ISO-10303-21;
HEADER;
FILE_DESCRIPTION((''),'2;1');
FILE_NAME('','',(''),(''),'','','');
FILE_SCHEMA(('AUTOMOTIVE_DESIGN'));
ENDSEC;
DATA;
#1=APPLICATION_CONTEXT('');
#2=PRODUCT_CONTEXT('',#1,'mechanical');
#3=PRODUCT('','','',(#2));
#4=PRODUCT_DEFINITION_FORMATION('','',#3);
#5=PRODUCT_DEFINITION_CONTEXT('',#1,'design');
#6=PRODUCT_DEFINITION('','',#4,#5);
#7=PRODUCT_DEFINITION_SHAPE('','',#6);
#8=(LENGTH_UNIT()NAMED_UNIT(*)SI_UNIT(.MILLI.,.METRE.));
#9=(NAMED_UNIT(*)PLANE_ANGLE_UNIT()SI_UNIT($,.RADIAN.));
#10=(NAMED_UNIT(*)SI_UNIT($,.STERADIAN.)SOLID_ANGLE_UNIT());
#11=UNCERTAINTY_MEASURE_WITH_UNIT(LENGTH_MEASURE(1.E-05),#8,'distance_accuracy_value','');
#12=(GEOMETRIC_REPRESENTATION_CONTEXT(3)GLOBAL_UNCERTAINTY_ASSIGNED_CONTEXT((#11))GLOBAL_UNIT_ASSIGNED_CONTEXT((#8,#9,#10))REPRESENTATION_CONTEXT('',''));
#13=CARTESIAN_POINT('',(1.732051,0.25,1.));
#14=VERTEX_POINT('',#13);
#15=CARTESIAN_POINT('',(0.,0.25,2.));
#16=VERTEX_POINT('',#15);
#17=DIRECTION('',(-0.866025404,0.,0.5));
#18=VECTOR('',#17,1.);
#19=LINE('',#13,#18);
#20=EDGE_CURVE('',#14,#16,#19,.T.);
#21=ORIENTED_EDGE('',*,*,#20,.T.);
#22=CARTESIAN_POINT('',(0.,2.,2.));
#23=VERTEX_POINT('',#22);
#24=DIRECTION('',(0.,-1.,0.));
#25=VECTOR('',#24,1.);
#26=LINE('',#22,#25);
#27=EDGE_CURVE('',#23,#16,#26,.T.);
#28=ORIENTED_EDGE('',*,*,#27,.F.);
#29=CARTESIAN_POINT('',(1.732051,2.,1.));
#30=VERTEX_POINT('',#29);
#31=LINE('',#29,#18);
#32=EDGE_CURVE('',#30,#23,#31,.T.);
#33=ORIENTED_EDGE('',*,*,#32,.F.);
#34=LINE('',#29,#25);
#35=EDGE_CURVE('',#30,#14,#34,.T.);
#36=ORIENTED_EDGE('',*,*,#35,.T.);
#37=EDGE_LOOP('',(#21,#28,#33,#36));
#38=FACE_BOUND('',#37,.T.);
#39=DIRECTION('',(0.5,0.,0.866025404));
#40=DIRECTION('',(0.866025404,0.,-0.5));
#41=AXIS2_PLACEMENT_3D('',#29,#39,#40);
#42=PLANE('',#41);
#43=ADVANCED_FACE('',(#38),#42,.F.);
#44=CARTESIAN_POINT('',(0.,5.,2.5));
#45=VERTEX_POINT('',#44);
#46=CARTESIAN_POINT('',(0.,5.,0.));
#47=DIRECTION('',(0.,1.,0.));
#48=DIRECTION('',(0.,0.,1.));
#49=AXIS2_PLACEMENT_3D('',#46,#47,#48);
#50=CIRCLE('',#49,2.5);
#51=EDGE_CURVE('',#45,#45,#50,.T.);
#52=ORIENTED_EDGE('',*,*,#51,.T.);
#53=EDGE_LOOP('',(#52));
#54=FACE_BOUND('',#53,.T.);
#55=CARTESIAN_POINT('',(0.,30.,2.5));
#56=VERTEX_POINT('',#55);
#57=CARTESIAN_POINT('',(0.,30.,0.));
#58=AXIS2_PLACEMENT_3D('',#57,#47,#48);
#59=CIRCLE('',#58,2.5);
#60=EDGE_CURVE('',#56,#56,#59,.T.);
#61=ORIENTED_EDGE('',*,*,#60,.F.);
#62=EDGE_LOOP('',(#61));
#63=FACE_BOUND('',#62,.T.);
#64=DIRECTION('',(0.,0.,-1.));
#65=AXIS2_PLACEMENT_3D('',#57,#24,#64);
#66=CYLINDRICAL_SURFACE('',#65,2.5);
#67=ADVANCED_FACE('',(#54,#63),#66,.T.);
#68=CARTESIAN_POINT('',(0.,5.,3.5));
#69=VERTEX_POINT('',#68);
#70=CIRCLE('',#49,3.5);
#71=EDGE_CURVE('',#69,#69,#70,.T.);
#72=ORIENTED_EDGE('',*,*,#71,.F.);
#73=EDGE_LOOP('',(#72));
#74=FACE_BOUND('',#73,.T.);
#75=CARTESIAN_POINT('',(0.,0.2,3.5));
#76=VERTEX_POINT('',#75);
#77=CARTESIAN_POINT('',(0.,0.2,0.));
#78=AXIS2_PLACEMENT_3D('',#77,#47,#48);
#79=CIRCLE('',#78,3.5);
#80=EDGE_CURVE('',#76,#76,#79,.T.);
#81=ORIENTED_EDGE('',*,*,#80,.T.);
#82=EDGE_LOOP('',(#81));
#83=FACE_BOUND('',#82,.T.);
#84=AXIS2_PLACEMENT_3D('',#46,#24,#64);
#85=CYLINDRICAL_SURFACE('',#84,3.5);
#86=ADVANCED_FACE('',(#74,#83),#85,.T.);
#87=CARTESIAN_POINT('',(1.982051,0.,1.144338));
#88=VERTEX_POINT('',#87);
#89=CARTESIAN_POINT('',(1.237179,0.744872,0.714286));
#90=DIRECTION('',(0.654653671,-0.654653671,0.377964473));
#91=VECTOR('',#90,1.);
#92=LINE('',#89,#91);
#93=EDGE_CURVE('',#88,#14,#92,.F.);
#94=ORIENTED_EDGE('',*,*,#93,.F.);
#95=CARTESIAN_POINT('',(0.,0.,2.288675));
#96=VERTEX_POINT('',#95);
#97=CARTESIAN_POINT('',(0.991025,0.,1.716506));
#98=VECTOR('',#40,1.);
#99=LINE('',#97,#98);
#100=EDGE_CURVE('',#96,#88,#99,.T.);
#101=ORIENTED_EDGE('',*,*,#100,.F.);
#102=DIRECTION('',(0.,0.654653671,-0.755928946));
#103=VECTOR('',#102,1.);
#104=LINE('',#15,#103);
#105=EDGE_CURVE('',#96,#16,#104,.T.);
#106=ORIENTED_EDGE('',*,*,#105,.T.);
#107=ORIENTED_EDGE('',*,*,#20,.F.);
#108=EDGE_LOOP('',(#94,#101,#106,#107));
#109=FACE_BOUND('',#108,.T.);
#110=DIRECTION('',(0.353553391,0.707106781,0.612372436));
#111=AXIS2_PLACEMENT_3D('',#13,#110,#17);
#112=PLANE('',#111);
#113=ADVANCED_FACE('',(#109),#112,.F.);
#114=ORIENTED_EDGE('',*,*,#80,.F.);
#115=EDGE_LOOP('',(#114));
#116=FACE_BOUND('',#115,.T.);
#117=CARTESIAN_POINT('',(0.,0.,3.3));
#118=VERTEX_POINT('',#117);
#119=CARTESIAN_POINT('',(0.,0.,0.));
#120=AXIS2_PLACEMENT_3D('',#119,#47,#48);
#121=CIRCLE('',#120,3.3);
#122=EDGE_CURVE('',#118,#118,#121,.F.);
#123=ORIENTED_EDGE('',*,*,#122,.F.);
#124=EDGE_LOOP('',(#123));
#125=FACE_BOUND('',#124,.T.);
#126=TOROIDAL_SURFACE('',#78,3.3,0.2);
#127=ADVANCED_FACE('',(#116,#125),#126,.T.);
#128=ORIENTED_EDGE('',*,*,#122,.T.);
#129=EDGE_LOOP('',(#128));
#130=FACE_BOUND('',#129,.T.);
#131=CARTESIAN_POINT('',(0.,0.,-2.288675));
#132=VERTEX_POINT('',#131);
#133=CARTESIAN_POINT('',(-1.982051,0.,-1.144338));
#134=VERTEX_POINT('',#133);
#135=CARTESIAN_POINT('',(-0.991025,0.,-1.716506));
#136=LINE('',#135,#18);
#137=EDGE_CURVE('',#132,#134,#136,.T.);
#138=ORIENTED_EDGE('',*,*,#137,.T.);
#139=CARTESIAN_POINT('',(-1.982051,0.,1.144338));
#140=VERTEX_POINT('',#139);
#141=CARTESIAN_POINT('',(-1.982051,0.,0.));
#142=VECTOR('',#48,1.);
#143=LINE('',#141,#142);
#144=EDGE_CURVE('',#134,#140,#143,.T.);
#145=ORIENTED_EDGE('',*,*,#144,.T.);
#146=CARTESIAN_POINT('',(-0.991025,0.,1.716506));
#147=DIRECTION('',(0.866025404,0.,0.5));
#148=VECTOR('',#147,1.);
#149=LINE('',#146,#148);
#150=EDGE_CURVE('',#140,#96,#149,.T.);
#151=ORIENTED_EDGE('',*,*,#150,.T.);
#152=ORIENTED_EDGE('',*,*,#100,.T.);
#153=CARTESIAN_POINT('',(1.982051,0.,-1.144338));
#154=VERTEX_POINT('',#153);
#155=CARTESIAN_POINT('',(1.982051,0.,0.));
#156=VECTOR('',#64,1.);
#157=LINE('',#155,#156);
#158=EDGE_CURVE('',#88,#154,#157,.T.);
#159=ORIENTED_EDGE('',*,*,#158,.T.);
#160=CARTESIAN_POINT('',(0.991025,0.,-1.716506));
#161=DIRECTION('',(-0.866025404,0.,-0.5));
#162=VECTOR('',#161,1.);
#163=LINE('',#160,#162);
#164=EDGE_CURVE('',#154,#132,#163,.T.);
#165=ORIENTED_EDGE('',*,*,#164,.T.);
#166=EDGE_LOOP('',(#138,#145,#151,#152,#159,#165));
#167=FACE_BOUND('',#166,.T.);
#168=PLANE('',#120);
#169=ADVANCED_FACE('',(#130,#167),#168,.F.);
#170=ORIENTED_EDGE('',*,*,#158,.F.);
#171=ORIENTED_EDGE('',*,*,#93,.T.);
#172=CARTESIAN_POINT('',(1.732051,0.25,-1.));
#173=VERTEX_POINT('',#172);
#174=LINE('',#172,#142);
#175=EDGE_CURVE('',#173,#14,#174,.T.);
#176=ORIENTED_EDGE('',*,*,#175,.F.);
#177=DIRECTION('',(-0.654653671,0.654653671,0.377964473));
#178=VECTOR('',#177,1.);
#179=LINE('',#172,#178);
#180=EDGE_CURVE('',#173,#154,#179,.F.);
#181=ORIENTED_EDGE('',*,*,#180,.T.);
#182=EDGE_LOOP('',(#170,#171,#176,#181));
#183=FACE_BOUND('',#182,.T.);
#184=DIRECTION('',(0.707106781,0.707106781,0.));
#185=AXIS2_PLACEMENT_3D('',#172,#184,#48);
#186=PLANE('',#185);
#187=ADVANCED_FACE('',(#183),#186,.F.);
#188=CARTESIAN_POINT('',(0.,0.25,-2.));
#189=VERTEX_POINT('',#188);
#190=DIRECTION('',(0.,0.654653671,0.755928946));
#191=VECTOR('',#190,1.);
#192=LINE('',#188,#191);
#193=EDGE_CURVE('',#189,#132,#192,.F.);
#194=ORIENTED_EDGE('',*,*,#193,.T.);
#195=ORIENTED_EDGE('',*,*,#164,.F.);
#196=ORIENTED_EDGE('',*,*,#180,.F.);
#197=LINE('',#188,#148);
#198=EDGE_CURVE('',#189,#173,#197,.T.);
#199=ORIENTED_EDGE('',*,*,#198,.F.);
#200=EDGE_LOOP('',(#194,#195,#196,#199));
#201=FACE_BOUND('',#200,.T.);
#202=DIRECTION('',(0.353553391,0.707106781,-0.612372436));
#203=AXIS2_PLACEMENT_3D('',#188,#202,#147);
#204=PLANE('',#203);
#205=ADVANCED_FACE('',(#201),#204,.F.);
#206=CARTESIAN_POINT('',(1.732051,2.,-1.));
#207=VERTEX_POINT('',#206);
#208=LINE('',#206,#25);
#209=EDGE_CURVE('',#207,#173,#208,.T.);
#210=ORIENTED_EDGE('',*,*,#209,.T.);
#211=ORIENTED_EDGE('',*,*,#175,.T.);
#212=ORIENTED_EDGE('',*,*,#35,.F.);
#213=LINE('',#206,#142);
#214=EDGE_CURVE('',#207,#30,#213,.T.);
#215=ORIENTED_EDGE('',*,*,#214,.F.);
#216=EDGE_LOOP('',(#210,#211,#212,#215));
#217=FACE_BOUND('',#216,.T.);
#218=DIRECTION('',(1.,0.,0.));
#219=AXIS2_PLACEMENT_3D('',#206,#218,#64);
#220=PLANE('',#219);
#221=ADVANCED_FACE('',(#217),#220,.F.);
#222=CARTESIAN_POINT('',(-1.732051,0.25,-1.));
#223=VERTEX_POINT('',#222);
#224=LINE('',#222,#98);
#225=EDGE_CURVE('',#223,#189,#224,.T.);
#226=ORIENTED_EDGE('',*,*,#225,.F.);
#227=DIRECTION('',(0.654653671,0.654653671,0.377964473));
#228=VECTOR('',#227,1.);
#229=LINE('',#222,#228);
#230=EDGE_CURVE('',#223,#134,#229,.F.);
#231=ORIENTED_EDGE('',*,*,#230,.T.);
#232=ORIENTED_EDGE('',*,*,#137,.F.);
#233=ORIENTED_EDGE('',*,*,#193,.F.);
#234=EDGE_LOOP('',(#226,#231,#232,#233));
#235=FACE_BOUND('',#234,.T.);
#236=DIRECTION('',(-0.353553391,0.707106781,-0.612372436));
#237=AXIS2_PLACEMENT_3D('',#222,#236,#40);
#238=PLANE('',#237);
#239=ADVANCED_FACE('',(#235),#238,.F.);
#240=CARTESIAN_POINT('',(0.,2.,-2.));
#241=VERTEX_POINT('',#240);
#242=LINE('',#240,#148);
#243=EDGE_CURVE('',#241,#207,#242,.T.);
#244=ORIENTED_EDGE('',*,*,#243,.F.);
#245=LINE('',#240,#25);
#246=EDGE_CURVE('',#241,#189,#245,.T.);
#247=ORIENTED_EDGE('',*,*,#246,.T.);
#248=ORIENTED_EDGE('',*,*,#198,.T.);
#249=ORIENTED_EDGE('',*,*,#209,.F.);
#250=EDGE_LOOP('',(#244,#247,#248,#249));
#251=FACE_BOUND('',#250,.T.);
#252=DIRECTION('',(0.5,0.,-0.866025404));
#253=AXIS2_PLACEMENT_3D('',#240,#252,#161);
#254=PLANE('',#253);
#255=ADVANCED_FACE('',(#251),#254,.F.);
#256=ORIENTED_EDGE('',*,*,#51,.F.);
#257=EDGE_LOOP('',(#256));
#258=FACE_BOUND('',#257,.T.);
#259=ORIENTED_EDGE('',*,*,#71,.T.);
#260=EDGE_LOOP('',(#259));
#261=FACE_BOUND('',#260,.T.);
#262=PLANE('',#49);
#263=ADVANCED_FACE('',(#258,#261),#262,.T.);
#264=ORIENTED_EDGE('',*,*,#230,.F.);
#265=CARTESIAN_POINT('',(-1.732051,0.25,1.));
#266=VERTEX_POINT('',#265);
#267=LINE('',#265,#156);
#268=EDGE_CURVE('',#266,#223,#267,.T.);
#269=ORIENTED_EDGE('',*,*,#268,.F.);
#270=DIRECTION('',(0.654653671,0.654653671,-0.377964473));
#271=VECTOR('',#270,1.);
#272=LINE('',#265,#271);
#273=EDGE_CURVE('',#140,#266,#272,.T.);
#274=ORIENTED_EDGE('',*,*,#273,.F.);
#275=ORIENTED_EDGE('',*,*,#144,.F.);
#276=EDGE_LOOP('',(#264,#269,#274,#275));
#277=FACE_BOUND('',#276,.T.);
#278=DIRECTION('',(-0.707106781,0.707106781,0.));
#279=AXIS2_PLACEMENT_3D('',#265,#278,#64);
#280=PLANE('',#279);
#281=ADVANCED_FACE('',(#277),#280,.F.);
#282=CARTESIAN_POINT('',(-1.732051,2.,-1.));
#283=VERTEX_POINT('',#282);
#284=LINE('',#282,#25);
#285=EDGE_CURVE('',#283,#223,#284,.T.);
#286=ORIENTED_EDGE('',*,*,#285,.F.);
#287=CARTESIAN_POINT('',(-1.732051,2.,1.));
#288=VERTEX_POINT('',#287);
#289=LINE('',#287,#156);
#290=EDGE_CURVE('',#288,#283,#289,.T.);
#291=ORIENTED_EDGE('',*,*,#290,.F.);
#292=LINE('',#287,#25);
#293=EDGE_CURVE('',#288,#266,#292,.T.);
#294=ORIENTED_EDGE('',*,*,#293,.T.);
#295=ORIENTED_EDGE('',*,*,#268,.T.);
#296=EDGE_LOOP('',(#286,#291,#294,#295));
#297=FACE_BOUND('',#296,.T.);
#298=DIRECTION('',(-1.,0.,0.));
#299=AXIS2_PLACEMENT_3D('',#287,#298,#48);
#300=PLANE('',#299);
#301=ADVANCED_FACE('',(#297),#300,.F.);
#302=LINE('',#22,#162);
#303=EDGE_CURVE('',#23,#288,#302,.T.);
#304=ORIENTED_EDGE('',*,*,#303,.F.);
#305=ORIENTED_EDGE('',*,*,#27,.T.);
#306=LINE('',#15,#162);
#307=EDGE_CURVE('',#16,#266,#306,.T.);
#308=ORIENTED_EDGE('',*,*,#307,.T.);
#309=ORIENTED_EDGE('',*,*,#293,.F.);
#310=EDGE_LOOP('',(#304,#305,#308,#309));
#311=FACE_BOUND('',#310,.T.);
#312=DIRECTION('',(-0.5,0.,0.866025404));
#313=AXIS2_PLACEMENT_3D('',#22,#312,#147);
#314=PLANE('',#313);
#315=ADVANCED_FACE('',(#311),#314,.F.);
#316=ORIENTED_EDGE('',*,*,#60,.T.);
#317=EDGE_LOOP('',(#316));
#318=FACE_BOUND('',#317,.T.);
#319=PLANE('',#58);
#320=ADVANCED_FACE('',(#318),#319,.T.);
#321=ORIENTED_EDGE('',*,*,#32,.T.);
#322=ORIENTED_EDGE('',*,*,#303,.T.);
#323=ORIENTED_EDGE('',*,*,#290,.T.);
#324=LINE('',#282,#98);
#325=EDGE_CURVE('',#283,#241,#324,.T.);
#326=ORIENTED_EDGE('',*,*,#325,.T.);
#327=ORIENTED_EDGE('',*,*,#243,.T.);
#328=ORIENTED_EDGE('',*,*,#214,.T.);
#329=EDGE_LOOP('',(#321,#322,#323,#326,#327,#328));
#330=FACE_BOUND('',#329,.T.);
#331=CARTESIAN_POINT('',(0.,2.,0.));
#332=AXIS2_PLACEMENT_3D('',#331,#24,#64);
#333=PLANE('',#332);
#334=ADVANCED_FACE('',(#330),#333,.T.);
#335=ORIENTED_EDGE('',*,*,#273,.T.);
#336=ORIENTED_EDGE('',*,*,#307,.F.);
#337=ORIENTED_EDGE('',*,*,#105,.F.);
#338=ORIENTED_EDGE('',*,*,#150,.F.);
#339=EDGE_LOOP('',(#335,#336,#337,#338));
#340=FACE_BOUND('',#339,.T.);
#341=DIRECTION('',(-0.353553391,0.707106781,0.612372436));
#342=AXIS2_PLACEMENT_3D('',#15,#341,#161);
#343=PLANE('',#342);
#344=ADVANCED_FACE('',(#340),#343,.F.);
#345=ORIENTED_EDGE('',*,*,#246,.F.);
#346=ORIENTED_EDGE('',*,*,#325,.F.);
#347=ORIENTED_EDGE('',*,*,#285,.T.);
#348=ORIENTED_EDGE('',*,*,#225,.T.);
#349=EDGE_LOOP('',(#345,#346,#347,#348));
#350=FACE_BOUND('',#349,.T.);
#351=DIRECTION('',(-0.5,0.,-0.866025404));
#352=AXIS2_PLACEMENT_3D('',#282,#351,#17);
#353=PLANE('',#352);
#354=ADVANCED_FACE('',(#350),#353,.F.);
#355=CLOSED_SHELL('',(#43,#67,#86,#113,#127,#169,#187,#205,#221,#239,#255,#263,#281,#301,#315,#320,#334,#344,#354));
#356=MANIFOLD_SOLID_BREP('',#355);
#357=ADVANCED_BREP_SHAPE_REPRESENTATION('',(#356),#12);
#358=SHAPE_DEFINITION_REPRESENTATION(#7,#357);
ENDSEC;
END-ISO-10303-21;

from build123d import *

# Parameters (mm, degrees)
SKETCH1_R           = 3.5
BOSS_EXTRUDE1_DEPTH = 5
SKETCH2_R           = 2.5
BOSS_EXTRUDE2_DEPTH = 25
CUT_EXTRUDE1_DEPTH  = 2
CHAMFER1_SIZE       = 0.25
FILLET1_R           = 0.2


with BuildPart() as part:
    # Sketch1 → Boss-Extrude1 (new body)
    with BuildSketch(Plane(origin=(0, 0, 0), x_dir=(1, 0, 0), z_dir=(0, 1, 0))):
        with Locations(Location((0, 0, 0), (0, 0, 270))):
            Circle(SKETCH1_R)
    extrude(amount=BOSS_EXTRUDE1_DEPTH)

    # Sketch2 → Boss-Extrude2 (add)
    with BuildSketch(Plane(origin=(0, 5, 0), x_dir=(1, 0, 0), z_dir=(0, 1, 0))):
        with Locations(Location((0, 0, 0), (0, 0, 270))):
            Circle(SKETCH2_R)
    extrude(amount=BOSS_EXTRUDE2_DEPTH)

    # Sketch3 → Cut-Extrude1 (cut)
    with BuildSketch(Plane.XZ):
        Polygon((0, 2), (-1.732050808, 1), (-1.732050808, -1), (0, -2), (1.732050808, -1), (1.732050808, 1), align=None)
    extrude(amount=-CUT_EXTRUDE1_DEPTH, mode=Mode.SUBTRACT)

    # Chamfer1
    chamfer1_edges = [part.edges().sort_by_distance(p)[0] for p in [
        (0.866025404, 0, 1.5),
        (-0.866025404, 0, 1.5),
        (-1.732050808, 0, 0),
        (-0.866025404, 0, -1.5),
        (0.866025404, 0, -1.5),
        (1.732050808, 0, 0),
    ]]
    chamfer(chamfer1_edges, length=CHAMFER1_SIZE)

    # Fillet1
    fillet1_edges = [part.edges().sort_by_distance(p)[0] for p in [
        (0, 0, -3.5),
    ]]
    fillet(fillet1_edges, radius=FILLET1_R)


solid = part.part
